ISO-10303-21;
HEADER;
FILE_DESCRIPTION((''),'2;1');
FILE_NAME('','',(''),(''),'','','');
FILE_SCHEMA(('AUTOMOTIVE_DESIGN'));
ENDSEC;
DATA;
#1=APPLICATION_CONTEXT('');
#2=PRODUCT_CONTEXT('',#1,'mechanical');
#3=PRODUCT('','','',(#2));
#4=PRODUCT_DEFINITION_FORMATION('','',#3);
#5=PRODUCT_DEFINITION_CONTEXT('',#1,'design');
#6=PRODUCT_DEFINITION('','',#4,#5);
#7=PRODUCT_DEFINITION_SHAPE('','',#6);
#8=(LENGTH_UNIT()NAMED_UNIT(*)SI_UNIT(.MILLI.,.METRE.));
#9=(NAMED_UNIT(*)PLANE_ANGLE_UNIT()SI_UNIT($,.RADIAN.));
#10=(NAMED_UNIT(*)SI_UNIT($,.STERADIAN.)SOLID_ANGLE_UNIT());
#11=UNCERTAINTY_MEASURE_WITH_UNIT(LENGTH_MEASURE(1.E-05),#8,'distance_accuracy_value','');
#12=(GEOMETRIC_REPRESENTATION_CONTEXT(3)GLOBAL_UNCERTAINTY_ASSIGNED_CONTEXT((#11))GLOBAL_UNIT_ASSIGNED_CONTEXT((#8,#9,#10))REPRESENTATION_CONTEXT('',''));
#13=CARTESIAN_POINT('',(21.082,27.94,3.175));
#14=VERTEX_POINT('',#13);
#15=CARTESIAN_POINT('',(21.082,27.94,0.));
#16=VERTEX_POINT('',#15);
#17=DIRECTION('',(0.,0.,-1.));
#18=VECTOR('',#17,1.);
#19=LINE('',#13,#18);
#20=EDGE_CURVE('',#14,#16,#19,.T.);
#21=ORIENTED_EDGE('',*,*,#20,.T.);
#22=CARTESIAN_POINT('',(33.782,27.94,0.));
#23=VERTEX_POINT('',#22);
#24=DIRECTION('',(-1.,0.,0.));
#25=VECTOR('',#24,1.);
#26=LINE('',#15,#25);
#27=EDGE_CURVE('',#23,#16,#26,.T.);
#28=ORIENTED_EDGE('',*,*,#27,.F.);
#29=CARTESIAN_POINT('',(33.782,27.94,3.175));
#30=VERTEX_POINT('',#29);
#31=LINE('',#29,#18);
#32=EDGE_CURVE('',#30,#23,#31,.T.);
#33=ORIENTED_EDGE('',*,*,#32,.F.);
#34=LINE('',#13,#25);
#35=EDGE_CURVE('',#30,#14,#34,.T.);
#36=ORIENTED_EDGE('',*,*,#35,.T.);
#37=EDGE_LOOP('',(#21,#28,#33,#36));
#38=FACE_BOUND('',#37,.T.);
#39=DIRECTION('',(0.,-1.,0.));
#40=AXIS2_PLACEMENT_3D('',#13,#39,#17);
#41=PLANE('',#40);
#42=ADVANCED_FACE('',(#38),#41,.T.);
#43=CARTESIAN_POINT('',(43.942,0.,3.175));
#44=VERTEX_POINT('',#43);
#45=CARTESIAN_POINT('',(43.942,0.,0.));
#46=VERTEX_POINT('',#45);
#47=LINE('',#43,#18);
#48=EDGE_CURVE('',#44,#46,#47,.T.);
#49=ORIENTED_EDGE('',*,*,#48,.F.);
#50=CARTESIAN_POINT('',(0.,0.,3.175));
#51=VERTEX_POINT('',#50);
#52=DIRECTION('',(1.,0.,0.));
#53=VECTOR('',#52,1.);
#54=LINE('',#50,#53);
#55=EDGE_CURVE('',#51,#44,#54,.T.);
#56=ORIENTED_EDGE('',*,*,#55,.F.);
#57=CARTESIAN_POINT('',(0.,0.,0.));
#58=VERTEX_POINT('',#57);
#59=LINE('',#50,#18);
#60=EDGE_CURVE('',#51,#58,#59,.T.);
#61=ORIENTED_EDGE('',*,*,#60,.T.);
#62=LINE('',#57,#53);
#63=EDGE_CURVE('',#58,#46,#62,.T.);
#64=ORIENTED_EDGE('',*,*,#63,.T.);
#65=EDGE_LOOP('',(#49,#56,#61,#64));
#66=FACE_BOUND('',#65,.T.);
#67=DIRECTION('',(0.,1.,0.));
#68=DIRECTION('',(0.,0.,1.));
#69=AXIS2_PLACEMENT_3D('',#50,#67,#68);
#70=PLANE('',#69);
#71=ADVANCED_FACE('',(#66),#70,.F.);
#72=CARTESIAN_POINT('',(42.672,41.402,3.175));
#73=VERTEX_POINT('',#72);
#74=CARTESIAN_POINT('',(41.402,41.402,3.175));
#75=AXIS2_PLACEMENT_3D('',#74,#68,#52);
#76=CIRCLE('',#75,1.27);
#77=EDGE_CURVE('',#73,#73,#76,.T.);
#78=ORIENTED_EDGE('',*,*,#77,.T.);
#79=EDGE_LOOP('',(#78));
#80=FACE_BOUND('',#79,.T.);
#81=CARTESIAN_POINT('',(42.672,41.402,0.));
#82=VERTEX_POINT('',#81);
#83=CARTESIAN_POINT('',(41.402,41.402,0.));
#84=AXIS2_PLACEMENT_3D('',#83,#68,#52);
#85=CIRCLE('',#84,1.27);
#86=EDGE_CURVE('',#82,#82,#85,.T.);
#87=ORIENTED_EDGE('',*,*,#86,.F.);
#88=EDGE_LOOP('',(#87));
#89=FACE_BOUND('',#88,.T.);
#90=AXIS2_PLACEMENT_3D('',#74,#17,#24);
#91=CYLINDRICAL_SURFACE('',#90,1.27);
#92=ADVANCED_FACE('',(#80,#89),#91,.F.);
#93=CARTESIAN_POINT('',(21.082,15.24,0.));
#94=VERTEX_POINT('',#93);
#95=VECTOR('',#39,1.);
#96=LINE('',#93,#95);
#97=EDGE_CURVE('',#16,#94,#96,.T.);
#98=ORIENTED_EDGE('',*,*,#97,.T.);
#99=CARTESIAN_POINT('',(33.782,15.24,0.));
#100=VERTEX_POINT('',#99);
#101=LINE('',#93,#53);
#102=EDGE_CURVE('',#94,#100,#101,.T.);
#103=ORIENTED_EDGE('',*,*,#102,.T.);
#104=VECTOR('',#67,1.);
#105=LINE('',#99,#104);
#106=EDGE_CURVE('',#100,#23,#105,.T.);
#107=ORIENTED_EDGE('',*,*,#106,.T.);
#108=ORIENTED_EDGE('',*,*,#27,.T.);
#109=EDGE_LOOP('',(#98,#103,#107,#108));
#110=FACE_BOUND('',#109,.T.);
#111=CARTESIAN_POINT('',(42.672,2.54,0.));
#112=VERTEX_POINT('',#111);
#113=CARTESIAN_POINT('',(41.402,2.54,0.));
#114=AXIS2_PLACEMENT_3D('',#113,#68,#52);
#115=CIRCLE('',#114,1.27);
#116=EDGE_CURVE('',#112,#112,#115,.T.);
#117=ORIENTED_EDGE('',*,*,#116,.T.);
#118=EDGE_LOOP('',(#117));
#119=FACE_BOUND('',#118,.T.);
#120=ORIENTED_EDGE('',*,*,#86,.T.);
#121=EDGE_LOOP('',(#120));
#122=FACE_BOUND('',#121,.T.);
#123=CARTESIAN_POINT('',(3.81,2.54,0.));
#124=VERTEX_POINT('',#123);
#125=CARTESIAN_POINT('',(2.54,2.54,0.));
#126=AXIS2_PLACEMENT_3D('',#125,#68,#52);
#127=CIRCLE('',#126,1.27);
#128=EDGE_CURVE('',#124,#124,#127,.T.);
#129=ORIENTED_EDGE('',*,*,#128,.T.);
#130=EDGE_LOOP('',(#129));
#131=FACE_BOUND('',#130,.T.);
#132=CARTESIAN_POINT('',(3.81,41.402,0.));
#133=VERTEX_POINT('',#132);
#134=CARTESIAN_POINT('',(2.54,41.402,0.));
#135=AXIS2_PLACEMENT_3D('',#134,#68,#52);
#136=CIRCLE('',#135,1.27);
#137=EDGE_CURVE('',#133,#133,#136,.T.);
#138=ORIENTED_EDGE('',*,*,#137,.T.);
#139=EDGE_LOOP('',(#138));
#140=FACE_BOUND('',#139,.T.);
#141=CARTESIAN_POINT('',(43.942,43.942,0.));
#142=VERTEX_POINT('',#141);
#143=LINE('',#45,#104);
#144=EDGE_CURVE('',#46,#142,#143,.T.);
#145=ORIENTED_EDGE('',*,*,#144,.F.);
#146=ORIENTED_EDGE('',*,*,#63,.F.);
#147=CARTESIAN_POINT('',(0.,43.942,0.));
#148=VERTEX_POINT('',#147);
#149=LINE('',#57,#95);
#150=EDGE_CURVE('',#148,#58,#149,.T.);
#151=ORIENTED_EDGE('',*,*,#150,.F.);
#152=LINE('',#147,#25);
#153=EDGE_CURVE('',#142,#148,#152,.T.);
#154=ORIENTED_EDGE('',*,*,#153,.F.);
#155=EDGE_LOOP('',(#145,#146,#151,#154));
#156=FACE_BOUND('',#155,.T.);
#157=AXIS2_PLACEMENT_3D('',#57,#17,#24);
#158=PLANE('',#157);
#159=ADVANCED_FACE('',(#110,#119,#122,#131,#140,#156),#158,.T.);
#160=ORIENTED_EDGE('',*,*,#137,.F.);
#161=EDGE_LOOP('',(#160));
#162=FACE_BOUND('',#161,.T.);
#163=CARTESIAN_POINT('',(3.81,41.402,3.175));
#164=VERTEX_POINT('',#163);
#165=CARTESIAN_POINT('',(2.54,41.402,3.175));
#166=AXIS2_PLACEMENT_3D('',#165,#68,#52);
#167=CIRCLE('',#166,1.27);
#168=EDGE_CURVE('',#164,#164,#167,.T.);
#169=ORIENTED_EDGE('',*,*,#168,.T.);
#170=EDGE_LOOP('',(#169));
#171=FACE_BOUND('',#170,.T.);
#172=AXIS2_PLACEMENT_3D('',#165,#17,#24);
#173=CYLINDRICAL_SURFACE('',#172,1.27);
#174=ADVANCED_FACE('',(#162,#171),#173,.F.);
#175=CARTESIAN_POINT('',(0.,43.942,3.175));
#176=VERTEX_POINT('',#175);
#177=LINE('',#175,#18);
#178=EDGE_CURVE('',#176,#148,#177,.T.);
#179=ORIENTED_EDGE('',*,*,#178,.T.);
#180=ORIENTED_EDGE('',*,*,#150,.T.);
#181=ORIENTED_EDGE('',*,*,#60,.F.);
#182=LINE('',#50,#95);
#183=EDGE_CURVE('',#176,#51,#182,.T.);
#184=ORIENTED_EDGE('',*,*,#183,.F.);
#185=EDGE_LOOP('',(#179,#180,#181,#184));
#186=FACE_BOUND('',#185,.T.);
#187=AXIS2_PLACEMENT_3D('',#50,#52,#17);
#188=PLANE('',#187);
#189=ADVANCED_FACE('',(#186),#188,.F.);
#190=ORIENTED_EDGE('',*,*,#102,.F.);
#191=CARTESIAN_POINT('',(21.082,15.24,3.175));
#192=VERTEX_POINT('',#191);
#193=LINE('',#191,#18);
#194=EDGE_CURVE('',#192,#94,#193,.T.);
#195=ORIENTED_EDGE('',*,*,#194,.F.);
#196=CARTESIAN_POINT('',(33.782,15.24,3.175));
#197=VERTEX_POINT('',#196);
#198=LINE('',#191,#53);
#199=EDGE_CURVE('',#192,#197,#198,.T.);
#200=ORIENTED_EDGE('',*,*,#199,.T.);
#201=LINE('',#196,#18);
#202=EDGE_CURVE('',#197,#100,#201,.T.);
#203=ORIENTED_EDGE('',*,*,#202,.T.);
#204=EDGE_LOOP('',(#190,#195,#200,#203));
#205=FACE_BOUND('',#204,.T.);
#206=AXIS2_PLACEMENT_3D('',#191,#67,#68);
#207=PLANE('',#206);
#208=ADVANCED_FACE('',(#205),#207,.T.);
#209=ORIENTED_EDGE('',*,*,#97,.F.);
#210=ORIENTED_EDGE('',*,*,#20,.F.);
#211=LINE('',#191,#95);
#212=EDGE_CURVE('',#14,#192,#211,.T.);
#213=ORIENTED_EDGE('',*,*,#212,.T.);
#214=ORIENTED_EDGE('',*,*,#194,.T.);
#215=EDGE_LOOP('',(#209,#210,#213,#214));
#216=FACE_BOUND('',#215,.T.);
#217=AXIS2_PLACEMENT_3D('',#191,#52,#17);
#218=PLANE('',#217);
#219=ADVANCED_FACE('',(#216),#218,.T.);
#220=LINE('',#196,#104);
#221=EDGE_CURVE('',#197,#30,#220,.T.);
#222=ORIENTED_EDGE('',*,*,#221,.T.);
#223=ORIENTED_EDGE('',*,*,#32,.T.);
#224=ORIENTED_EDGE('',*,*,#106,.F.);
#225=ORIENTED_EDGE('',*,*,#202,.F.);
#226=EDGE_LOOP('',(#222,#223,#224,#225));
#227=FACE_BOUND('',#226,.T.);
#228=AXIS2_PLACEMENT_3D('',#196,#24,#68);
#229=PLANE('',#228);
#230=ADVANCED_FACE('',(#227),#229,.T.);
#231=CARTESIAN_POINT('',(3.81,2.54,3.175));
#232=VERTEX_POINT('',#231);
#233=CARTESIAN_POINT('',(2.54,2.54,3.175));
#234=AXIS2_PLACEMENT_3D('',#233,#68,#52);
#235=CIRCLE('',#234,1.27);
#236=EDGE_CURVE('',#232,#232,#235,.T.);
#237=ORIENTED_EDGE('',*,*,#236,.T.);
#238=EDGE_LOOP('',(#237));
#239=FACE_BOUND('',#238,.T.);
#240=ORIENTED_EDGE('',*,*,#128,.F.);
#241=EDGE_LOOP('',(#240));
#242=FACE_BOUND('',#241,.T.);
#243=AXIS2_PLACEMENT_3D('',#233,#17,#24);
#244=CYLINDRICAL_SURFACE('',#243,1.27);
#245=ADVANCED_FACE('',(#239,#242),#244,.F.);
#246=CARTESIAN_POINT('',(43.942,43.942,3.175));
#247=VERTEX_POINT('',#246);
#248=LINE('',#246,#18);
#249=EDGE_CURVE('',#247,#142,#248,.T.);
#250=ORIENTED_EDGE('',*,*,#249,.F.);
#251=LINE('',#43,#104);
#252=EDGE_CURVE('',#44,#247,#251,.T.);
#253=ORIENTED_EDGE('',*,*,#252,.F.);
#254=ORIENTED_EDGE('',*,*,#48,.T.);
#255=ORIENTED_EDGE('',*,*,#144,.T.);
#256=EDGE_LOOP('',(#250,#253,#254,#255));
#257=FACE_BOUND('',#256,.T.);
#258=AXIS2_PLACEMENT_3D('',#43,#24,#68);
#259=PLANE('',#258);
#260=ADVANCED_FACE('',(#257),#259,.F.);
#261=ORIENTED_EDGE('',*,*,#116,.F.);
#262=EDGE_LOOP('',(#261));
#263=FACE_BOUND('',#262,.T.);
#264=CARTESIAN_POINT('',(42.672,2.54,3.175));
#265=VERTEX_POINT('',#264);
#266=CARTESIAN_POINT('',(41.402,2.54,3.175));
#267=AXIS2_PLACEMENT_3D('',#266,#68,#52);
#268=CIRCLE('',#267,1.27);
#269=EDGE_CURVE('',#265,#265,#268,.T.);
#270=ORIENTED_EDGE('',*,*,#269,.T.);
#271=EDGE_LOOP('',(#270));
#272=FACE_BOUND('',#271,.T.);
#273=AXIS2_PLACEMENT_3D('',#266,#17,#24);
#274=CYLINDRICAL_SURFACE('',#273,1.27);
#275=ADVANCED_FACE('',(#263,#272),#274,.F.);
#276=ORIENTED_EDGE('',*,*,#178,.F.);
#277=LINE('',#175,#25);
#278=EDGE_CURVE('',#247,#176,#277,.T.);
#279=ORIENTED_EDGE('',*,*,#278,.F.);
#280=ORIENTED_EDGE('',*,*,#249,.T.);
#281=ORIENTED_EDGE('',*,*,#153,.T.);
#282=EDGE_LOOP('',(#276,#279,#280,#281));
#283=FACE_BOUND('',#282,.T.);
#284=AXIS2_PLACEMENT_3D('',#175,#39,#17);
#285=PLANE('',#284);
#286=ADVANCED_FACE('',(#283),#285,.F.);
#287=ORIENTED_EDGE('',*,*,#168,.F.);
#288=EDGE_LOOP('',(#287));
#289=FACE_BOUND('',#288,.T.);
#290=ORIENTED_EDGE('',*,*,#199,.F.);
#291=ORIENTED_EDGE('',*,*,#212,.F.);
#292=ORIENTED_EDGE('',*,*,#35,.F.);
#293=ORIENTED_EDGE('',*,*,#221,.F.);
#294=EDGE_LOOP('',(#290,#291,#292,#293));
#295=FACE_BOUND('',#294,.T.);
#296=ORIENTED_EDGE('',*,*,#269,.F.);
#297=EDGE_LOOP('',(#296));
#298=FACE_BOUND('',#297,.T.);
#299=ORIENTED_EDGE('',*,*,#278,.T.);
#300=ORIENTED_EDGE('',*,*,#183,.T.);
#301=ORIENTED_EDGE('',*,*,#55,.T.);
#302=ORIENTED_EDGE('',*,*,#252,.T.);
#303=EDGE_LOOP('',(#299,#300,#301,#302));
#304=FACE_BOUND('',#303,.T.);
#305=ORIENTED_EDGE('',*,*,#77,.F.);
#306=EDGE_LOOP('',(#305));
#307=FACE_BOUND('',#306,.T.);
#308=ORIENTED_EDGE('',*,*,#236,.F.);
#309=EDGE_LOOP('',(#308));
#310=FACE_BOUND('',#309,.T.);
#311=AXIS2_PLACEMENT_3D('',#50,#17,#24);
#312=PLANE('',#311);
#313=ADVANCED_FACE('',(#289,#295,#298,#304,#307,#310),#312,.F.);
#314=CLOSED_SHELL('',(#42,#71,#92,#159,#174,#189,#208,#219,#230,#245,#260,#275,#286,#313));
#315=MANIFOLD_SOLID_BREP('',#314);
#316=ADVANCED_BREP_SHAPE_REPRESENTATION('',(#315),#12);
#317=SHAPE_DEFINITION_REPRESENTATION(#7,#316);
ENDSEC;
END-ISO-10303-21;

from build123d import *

# Parameters (mm, degrees)
SKETCH1_W           = 43.942
SKETCH1_H           = 43.942
SKETCH1_R           = 1.27
SKETCH1_W_2         = 12.7
SKETCH1_H_2         = 12.7
BOSS_EXTRUDE1_DEPTH = 3.175


with BuildPart() as part:
    # Sketch1 → Boss-Extrude1 (new body)
    with BuildSketch(Plane.XY):
        with Locations((21.971, 21.971)):
            Rectangle(SKETCH1_W, SKETCH1_H)
        with Locations((2.54, 41.402)):
            Circle(SKETCH1_R, mode=Mode.SUBTRACT)
        with Locations((41.402, 41.402)):
            Circle(SKETCH1_R, mode=Mode.SUBTRACT)
        with Locations((41.402, 2.54)):
            Circle(SKETCH1_R, mode=Mode.SUBTRACT)
        with Locations((2.54, 2.54)):
            Circle(SKETCH1_R, mode=Mode.SUBTRACT)
        with Locations((27.432, 21.59)):
            Rectangle(SKETCH1_W_2, SKETCH1_H_2, mode=Mode.SUBTRACT)
    extrude(amount=BOSS_EXTRUDE1_DEPTH)


solid = part.part
